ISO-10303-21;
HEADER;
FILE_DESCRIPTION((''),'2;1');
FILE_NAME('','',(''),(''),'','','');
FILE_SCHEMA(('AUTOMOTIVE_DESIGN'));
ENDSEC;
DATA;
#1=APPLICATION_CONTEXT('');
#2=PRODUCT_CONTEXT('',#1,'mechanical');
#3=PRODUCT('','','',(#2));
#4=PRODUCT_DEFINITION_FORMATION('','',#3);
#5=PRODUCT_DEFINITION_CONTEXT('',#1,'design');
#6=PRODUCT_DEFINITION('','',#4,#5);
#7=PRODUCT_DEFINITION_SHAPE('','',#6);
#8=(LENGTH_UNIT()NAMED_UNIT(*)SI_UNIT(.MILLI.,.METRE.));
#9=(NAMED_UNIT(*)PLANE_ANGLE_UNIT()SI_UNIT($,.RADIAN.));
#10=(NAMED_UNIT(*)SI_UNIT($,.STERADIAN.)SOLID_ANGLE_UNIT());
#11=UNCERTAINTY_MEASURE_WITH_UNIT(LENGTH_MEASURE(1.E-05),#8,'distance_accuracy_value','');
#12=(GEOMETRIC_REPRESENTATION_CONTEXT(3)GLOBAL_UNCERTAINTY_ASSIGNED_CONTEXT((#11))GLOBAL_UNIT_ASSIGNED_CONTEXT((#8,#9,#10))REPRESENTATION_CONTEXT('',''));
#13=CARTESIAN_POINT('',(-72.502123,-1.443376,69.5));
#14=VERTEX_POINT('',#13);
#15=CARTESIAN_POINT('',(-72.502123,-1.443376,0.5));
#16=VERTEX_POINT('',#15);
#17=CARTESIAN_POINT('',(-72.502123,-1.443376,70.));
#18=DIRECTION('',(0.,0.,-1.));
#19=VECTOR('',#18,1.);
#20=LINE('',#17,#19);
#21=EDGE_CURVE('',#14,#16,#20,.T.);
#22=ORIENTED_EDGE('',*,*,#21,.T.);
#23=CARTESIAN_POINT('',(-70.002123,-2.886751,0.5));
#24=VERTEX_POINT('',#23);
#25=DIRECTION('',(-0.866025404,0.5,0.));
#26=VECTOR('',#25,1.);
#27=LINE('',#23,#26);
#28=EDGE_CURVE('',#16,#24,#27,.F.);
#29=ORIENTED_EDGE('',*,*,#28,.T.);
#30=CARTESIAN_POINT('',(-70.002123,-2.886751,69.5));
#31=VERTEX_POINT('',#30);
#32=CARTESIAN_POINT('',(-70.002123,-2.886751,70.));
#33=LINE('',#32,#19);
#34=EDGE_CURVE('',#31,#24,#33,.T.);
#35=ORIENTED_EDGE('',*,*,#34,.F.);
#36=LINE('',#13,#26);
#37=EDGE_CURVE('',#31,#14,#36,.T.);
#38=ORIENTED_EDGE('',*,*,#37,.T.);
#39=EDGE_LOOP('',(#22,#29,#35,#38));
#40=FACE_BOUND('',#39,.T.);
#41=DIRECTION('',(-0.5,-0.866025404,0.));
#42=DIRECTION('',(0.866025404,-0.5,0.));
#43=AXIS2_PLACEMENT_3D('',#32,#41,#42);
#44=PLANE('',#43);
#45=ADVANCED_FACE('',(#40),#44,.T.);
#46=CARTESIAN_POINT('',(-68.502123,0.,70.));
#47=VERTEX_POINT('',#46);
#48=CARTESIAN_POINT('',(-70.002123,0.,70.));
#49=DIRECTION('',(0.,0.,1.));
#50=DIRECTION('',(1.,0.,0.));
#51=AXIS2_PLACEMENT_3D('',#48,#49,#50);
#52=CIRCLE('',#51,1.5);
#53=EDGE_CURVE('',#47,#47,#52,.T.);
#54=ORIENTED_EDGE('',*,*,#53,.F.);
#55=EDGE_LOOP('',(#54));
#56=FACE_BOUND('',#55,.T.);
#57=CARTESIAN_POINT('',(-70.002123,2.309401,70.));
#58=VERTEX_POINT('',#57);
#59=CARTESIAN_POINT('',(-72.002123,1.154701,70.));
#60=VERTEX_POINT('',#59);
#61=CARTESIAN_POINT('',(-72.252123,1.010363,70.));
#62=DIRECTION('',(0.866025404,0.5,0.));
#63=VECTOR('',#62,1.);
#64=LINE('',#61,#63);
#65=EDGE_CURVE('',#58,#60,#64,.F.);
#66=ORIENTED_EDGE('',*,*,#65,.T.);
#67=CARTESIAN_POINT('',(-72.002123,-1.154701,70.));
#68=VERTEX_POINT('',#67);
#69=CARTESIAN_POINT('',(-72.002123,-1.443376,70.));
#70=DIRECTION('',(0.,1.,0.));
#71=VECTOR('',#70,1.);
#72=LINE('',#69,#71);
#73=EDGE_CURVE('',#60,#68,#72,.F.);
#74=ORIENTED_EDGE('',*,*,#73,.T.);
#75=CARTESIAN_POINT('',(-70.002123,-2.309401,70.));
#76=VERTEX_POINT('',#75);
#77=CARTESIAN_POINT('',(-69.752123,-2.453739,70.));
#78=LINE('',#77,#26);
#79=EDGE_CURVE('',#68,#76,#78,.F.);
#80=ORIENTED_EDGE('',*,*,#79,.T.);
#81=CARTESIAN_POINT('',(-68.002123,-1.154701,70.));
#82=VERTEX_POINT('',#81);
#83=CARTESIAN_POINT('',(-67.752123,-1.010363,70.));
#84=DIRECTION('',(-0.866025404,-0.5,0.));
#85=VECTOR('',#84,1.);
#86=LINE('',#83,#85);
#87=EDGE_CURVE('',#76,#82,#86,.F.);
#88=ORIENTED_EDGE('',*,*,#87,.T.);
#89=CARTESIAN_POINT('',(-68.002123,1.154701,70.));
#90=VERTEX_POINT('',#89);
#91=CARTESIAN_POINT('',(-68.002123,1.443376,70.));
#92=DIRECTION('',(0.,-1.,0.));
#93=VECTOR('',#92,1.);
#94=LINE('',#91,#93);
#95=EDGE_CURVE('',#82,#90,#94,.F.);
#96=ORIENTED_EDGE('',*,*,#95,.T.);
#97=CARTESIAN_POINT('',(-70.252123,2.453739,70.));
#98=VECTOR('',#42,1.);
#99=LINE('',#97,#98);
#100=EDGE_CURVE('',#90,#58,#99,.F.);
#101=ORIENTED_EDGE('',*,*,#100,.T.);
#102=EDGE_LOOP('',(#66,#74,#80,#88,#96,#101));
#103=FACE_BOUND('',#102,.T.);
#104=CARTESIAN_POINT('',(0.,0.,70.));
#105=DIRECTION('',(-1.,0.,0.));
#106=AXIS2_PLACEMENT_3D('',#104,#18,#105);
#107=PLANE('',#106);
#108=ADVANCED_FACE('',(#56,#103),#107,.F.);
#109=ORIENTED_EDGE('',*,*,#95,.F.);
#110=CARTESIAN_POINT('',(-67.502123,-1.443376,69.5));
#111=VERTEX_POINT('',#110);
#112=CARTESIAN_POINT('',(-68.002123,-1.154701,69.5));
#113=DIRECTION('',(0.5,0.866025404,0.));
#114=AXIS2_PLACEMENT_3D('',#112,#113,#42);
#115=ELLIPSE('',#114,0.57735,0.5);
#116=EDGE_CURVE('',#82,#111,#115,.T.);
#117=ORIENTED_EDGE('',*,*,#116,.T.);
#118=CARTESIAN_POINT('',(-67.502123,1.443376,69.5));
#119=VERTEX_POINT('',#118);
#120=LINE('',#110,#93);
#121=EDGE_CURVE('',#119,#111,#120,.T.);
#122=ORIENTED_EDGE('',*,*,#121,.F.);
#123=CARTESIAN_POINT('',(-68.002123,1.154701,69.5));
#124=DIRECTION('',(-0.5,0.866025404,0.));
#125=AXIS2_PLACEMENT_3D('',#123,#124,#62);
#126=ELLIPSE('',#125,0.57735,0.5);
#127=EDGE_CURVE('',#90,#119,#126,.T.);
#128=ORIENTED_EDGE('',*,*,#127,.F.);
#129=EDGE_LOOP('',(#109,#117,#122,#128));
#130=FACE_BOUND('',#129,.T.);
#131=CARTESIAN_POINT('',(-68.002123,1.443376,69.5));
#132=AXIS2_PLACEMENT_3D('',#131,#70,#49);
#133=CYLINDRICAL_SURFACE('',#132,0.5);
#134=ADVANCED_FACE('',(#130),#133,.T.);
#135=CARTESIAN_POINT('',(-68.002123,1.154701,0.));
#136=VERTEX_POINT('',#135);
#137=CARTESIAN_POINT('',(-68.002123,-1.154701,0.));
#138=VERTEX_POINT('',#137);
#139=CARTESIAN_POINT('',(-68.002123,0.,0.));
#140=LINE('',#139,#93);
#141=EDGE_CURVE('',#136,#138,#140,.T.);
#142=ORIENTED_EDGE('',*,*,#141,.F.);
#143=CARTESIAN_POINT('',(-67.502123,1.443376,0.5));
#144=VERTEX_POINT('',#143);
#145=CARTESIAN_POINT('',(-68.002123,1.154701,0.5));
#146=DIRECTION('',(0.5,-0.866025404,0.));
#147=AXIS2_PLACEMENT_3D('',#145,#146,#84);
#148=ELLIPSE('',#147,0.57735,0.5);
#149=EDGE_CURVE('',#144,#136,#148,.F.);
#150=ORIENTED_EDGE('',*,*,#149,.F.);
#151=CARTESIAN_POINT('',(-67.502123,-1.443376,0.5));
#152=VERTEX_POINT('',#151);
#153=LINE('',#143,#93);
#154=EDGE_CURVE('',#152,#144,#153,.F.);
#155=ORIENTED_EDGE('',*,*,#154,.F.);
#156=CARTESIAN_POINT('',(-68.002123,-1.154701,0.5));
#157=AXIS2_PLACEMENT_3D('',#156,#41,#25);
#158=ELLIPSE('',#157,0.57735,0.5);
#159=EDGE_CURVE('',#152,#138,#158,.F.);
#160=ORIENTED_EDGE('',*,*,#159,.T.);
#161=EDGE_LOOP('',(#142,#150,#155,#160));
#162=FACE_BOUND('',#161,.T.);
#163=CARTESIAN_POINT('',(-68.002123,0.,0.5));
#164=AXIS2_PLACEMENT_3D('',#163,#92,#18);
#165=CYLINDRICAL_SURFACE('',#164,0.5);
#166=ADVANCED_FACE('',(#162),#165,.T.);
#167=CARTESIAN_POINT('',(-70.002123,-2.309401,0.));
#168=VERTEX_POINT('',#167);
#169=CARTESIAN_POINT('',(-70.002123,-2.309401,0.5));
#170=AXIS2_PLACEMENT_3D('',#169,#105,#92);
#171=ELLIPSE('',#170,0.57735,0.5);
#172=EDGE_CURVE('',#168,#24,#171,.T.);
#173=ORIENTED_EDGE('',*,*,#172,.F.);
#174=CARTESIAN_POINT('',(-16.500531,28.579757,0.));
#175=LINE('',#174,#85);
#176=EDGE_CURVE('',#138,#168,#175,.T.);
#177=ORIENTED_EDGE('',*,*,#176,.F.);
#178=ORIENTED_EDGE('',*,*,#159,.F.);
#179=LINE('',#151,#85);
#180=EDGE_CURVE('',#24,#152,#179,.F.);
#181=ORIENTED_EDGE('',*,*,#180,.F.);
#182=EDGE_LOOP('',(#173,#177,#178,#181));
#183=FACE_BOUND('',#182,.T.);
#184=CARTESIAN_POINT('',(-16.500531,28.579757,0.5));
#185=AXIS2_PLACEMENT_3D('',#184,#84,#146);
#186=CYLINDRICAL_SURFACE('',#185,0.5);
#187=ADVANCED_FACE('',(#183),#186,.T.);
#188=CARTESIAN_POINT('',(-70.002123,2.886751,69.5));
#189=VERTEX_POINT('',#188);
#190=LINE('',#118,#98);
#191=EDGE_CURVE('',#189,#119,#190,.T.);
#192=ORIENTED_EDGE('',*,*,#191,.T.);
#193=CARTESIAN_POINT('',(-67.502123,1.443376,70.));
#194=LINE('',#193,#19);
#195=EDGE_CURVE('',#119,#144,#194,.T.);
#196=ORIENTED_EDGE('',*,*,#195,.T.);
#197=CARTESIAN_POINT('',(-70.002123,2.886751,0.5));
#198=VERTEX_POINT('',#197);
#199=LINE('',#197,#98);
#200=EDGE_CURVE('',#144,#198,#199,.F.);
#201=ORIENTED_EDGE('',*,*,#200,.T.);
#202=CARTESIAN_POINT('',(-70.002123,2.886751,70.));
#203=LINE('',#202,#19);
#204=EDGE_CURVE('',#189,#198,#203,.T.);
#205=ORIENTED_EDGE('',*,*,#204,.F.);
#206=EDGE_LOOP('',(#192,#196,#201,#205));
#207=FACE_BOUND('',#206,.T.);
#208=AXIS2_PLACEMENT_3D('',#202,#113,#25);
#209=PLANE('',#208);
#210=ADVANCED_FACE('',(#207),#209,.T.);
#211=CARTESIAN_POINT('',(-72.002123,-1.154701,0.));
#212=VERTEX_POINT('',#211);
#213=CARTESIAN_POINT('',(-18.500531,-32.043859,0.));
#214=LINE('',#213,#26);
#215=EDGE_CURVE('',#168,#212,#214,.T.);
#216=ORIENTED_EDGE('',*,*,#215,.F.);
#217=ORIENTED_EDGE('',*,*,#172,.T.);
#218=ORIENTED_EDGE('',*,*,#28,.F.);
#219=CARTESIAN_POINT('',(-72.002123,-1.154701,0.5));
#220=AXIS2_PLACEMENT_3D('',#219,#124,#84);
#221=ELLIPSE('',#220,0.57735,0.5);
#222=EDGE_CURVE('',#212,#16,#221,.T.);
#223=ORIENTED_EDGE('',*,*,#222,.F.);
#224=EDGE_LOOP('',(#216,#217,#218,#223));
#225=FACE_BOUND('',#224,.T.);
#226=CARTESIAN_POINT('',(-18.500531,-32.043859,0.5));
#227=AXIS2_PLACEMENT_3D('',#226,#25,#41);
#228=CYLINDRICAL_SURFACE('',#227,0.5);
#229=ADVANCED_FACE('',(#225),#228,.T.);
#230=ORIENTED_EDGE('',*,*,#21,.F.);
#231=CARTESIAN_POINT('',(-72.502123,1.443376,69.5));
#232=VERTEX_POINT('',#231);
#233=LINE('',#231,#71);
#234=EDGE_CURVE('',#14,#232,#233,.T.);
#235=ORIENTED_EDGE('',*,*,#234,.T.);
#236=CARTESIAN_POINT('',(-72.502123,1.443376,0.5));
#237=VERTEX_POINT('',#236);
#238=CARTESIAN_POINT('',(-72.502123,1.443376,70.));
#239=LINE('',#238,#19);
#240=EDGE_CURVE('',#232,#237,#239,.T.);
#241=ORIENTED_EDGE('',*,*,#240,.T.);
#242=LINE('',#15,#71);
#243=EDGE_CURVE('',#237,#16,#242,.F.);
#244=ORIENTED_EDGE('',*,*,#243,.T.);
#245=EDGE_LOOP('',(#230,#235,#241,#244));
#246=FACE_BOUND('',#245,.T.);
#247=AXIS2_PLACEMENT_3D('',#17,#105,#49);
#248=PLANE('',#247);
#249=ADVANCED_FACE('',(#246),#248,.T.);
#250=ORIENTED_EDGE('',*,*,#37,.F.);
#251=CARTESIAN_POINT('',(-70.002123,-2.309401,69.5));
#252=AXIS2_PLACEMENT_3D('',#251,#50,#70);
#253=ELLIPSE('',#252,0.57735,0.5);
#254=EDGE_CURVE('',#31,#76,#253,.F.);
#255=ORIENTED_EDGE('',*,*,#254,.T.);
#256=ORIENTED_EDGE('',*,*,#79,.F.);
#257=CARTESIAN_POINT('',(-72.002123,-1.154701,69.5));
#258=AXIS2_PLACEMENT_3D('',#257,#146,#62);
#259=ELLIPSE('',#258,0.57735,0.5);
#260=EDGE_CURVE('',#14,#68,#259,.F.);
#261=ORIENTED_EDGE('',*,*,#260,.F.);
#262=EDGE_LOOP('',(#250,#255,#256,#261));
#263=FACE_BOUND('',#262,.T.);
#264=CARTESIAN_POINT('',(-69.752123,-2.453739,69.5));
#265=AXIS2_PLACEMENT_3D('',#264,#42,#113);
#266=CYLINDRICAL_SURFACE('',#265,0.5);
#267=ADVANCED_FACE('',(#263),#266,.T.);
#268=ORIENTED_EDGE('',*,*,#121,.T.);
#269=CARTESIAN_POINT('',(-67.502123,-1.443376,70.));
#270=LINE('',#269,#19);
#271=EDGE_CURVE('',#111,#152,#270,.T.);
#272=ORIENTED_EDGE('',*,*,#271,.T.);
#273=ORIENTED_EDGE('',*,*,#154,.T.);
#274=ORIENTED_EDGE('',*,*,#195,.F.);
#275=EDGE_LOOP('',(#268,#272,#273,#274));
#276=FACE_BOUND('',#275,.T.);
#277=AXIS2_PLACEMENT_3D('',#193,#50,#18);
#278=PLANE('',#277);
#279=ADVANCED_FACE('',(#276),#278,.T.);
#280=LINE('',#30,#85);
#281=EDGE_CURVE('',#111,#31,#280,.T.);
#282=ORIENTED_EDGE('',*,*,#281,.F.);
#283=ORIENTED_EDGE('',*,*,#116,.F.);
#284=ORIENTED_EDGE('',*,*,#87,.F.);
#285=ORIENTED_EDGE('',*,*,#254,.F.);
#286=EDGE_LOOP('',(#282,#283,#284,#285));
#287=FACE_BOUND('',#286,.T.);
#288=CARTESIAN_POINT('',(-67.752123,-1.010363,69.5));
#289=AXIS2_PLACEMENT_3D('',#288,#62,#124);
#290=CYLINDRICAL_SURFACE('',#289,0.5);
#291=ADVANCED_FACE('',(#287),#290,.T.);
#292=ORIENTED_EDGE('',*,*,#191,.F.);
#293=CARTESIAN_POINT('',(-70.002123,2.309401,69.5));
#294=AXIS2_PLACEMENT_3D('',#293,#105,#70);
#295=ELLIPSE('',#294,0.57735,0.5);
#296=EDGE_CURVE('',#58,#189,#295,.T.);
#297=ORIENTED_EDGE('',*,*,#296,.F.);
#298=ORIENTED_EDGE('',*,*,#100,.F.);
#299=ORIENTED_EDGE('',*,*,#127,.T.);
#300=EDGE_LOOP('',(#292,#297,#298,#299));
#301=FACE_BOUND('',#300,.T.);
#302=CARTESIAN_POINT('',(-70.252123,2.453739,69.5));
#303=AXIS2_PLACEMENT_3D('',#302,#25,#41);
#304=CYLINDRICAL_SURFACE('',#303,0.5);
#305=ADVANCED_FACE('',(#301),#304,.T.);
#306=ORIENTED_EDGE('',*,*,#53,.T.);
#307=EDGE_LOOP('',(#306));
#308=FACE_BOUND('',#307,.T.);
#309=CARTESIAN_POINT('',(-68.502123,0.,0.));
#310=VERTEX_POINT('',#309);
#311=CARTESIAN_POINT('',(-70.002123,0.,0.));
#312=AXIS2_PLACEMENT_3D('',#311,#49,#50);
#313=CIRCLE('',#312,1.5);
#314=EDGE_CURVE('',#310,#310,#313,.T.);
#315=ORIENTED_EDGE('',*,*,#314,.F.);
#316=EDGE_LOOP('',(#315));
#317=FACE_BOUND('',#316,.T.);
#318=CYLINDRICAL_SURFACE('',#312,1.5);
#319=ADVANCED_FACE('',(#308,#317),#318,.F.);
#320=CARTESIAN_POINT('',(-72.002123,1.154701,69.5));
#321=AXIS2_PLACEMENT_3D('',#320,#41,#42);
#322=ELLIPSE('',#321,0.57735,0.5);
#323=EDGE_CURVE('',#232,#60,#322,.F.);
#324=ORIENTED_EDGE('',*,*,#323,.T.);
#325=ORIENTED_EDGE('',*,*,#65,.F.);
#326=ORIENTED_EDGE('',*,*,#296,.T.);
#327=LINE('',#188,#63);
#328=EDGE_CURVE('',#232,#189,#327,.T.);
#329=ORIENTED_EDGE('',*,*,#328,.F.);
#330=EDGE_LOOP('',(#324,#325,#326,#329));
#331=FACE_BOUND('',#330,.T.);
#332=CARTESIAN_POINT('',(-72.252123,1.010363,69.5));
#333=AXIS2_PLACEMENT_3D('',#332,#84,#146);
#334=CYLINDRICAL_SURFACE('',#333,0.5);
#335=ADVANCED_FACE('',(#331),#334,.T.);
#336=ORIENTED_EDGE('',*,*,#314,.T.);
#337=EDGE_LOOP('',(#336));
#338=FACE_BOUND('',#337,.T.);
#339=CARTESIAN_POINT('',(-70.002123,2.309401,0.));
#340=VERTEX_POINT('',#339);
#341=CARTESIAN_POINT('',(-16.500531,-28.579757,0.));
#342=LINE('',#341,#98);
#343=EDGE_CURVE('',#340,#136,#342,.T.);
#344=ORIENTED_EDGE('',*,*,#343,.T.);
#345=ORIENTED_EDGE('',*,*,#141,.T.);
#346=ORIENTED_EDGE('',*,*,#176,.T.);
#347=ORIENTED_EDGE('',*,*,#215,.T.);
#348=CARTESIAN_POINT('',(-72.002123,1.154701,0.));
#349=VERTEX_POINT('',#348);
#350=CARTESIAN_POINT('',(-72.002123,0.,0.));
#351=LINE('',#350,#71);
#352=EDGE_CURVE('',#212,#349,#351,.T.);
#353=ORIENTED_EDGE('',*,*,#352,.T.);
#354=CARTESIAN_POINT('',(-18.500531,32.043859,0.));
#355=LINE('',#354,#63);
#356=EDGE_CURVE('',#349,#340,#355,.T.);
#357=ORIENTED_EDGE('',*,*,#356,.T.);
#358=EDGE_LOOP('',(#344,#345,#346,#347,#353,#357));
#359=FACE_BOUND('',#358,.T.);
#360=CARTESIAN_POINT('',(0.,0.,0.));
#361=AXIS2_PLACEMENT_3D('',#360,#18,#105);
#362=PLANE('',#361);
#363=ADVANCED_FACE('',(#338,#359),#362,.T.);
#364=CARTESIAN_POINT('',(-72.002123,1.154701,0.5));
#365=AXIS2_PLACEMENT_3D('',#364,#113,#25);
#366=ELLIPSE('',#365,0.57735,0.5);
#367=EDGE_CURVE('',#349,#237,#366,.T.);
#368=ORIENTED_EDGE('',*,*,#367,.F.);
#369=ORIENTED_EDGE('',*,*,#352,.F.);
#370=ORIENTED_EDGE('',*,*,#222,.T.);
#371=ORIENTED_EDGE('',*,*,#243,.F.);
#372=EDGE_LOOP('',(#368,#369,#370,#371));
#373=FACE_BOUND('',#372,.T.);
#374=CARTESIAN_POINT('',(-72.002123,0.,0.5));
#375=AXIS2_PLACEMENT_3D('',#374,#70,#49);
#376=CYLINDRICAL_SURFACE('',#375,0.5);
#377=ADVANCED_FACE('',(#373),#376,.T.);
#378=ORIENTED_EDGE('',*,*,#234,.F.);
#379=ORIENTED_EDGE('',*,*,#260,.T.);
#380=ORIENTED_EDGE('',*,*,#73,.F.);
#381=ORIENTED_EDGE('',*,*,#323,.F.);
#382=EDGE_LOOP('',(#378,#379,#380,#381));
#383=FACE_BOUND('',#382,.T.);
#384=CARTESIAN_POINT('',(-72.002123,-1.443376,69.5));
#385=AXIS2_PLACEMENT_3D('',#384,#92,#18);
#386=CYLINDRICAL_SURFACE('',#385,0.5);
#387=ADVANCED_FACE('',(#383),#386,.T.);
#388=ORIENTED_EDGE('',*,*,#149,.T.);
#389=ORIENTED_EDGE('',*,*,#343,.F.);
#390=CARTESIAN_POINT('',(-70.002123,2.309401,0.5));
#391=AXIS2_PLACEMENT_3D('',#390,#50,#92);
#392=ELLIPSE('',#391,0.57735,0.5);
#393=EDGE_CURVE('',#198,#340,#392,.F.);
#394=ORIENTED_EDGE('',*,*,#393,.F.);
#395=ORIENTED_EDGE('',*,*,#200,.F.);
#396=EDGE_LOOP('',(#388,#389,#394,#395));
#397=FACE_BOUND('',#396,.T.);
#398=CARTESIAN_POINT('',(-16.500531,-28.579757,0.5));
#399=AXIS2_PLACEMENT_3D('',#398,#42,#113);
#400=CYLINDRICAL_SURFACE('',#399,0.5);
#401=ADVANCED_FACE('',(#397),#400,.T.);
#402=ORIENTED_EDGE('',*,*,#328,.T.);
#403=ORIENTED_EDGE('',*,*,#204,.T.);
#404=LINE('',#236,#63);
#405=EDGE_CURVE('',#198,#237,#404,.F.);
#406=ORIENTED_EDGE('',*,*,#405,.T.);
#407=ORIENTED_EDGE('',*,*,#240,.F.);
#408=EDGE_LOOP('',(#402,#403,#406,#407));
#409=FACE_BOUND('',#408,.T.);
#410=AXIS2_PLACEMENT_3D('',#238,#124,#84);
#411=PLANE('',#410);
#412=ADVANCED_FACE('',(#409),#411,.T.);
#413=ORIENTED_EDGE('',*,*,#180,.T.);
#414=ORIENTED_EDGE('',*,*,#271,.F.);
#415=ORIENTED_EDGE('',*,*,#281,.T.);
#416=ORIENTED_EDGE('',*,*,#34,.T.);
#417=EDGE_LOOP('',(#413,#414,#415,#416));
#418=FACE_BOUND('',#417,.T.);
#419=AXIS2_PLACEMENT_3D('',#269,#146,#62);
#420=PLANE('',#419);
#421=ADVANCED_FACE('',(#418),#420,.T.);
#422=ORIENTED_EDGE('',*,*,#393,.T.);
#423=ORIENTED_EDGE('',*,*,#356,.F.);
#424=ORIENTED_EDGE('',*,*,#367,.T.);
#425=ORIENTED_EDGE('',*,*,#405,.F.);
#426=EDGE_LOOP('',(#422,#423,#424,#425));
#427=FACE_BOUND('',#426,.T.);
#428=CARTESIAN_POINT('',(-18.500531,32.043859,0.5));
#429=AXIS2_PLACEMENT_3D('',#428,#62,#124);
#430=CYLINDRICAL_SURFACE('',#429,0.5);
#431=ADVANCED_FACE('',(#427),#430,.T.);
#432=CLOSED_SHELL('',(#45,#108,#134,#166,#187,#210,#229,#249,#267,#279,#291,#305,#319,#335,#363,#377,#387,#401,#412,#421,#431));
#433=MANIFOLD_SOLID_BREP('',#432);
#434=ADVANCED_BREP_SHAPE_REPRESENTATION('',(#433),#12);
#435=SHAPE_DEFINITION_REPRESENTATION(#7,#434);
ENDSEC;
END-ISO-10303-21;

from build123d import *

# Parameters (mm, degrees)
RESSALTO_EXTRUS_O1_DEPTH = 70
FILETE1_R                = 0.5
ESBO_O2_R                = 1.5
CORTE_EXTRUS_O1_DEPTH    = 71


with BuildPart() as part:
    # Esboço1 → Ressalto-extrusão1 (new body)
    with BuildSketch(Plane(origin=(0, 0, 0), x_dir=(-1, 0, 0), z_dir=(0, 0, -1))):
        Polygon((67.502122675, -1.443375673), (70.002122675, -2.886751346), (72.502122675, -1.443375673), (72.502122675, 1.443375673), (70.002122675, 2.886751346), (67.502122675, 1.443375673), align=None)
    extrude(amount=-RESSALTO_EXTRUS_O1_DEPTH)

    # Filete1
    filete1_edges = [part.edges().sort_by_distance(p)[0] for p in [
        (-71.252122675, -2.165063509, 70),
        (-72.502122675, 0, 70),
        (-71.252122675, 2.165063509, 70),
        (-68.752122675, 2.165063509, 70),
        (-67.502122675, 0, 70),
        (-68.752122675, 2.165063509, 0),
        (-71.252122675, 2.165063509, 0),
        (-72.502122675, 0, 0),
        (-71.252122675, -2.165063509, 0),
        (-68.752122675, -2.165063509, 0),
        (-67.502122675, 0, 0),
        (-68.752122675, -2.165063509, 70),
    ]]
    fillet(filete1_edges, radius=FILETE1_R)

    # Esboço2 → Corte-extrusão1 (cut, through all)
    with BuildSketch(Plane.XY.offset(70)):
        with Locations((-70.002122675, 0)):
            Circle(ESBO_O2_R)
    extrude(amount=-CORTE_EXTRUS_O1_DEPTH, mode=Mode.SUBTRACT)


solid = part.part
